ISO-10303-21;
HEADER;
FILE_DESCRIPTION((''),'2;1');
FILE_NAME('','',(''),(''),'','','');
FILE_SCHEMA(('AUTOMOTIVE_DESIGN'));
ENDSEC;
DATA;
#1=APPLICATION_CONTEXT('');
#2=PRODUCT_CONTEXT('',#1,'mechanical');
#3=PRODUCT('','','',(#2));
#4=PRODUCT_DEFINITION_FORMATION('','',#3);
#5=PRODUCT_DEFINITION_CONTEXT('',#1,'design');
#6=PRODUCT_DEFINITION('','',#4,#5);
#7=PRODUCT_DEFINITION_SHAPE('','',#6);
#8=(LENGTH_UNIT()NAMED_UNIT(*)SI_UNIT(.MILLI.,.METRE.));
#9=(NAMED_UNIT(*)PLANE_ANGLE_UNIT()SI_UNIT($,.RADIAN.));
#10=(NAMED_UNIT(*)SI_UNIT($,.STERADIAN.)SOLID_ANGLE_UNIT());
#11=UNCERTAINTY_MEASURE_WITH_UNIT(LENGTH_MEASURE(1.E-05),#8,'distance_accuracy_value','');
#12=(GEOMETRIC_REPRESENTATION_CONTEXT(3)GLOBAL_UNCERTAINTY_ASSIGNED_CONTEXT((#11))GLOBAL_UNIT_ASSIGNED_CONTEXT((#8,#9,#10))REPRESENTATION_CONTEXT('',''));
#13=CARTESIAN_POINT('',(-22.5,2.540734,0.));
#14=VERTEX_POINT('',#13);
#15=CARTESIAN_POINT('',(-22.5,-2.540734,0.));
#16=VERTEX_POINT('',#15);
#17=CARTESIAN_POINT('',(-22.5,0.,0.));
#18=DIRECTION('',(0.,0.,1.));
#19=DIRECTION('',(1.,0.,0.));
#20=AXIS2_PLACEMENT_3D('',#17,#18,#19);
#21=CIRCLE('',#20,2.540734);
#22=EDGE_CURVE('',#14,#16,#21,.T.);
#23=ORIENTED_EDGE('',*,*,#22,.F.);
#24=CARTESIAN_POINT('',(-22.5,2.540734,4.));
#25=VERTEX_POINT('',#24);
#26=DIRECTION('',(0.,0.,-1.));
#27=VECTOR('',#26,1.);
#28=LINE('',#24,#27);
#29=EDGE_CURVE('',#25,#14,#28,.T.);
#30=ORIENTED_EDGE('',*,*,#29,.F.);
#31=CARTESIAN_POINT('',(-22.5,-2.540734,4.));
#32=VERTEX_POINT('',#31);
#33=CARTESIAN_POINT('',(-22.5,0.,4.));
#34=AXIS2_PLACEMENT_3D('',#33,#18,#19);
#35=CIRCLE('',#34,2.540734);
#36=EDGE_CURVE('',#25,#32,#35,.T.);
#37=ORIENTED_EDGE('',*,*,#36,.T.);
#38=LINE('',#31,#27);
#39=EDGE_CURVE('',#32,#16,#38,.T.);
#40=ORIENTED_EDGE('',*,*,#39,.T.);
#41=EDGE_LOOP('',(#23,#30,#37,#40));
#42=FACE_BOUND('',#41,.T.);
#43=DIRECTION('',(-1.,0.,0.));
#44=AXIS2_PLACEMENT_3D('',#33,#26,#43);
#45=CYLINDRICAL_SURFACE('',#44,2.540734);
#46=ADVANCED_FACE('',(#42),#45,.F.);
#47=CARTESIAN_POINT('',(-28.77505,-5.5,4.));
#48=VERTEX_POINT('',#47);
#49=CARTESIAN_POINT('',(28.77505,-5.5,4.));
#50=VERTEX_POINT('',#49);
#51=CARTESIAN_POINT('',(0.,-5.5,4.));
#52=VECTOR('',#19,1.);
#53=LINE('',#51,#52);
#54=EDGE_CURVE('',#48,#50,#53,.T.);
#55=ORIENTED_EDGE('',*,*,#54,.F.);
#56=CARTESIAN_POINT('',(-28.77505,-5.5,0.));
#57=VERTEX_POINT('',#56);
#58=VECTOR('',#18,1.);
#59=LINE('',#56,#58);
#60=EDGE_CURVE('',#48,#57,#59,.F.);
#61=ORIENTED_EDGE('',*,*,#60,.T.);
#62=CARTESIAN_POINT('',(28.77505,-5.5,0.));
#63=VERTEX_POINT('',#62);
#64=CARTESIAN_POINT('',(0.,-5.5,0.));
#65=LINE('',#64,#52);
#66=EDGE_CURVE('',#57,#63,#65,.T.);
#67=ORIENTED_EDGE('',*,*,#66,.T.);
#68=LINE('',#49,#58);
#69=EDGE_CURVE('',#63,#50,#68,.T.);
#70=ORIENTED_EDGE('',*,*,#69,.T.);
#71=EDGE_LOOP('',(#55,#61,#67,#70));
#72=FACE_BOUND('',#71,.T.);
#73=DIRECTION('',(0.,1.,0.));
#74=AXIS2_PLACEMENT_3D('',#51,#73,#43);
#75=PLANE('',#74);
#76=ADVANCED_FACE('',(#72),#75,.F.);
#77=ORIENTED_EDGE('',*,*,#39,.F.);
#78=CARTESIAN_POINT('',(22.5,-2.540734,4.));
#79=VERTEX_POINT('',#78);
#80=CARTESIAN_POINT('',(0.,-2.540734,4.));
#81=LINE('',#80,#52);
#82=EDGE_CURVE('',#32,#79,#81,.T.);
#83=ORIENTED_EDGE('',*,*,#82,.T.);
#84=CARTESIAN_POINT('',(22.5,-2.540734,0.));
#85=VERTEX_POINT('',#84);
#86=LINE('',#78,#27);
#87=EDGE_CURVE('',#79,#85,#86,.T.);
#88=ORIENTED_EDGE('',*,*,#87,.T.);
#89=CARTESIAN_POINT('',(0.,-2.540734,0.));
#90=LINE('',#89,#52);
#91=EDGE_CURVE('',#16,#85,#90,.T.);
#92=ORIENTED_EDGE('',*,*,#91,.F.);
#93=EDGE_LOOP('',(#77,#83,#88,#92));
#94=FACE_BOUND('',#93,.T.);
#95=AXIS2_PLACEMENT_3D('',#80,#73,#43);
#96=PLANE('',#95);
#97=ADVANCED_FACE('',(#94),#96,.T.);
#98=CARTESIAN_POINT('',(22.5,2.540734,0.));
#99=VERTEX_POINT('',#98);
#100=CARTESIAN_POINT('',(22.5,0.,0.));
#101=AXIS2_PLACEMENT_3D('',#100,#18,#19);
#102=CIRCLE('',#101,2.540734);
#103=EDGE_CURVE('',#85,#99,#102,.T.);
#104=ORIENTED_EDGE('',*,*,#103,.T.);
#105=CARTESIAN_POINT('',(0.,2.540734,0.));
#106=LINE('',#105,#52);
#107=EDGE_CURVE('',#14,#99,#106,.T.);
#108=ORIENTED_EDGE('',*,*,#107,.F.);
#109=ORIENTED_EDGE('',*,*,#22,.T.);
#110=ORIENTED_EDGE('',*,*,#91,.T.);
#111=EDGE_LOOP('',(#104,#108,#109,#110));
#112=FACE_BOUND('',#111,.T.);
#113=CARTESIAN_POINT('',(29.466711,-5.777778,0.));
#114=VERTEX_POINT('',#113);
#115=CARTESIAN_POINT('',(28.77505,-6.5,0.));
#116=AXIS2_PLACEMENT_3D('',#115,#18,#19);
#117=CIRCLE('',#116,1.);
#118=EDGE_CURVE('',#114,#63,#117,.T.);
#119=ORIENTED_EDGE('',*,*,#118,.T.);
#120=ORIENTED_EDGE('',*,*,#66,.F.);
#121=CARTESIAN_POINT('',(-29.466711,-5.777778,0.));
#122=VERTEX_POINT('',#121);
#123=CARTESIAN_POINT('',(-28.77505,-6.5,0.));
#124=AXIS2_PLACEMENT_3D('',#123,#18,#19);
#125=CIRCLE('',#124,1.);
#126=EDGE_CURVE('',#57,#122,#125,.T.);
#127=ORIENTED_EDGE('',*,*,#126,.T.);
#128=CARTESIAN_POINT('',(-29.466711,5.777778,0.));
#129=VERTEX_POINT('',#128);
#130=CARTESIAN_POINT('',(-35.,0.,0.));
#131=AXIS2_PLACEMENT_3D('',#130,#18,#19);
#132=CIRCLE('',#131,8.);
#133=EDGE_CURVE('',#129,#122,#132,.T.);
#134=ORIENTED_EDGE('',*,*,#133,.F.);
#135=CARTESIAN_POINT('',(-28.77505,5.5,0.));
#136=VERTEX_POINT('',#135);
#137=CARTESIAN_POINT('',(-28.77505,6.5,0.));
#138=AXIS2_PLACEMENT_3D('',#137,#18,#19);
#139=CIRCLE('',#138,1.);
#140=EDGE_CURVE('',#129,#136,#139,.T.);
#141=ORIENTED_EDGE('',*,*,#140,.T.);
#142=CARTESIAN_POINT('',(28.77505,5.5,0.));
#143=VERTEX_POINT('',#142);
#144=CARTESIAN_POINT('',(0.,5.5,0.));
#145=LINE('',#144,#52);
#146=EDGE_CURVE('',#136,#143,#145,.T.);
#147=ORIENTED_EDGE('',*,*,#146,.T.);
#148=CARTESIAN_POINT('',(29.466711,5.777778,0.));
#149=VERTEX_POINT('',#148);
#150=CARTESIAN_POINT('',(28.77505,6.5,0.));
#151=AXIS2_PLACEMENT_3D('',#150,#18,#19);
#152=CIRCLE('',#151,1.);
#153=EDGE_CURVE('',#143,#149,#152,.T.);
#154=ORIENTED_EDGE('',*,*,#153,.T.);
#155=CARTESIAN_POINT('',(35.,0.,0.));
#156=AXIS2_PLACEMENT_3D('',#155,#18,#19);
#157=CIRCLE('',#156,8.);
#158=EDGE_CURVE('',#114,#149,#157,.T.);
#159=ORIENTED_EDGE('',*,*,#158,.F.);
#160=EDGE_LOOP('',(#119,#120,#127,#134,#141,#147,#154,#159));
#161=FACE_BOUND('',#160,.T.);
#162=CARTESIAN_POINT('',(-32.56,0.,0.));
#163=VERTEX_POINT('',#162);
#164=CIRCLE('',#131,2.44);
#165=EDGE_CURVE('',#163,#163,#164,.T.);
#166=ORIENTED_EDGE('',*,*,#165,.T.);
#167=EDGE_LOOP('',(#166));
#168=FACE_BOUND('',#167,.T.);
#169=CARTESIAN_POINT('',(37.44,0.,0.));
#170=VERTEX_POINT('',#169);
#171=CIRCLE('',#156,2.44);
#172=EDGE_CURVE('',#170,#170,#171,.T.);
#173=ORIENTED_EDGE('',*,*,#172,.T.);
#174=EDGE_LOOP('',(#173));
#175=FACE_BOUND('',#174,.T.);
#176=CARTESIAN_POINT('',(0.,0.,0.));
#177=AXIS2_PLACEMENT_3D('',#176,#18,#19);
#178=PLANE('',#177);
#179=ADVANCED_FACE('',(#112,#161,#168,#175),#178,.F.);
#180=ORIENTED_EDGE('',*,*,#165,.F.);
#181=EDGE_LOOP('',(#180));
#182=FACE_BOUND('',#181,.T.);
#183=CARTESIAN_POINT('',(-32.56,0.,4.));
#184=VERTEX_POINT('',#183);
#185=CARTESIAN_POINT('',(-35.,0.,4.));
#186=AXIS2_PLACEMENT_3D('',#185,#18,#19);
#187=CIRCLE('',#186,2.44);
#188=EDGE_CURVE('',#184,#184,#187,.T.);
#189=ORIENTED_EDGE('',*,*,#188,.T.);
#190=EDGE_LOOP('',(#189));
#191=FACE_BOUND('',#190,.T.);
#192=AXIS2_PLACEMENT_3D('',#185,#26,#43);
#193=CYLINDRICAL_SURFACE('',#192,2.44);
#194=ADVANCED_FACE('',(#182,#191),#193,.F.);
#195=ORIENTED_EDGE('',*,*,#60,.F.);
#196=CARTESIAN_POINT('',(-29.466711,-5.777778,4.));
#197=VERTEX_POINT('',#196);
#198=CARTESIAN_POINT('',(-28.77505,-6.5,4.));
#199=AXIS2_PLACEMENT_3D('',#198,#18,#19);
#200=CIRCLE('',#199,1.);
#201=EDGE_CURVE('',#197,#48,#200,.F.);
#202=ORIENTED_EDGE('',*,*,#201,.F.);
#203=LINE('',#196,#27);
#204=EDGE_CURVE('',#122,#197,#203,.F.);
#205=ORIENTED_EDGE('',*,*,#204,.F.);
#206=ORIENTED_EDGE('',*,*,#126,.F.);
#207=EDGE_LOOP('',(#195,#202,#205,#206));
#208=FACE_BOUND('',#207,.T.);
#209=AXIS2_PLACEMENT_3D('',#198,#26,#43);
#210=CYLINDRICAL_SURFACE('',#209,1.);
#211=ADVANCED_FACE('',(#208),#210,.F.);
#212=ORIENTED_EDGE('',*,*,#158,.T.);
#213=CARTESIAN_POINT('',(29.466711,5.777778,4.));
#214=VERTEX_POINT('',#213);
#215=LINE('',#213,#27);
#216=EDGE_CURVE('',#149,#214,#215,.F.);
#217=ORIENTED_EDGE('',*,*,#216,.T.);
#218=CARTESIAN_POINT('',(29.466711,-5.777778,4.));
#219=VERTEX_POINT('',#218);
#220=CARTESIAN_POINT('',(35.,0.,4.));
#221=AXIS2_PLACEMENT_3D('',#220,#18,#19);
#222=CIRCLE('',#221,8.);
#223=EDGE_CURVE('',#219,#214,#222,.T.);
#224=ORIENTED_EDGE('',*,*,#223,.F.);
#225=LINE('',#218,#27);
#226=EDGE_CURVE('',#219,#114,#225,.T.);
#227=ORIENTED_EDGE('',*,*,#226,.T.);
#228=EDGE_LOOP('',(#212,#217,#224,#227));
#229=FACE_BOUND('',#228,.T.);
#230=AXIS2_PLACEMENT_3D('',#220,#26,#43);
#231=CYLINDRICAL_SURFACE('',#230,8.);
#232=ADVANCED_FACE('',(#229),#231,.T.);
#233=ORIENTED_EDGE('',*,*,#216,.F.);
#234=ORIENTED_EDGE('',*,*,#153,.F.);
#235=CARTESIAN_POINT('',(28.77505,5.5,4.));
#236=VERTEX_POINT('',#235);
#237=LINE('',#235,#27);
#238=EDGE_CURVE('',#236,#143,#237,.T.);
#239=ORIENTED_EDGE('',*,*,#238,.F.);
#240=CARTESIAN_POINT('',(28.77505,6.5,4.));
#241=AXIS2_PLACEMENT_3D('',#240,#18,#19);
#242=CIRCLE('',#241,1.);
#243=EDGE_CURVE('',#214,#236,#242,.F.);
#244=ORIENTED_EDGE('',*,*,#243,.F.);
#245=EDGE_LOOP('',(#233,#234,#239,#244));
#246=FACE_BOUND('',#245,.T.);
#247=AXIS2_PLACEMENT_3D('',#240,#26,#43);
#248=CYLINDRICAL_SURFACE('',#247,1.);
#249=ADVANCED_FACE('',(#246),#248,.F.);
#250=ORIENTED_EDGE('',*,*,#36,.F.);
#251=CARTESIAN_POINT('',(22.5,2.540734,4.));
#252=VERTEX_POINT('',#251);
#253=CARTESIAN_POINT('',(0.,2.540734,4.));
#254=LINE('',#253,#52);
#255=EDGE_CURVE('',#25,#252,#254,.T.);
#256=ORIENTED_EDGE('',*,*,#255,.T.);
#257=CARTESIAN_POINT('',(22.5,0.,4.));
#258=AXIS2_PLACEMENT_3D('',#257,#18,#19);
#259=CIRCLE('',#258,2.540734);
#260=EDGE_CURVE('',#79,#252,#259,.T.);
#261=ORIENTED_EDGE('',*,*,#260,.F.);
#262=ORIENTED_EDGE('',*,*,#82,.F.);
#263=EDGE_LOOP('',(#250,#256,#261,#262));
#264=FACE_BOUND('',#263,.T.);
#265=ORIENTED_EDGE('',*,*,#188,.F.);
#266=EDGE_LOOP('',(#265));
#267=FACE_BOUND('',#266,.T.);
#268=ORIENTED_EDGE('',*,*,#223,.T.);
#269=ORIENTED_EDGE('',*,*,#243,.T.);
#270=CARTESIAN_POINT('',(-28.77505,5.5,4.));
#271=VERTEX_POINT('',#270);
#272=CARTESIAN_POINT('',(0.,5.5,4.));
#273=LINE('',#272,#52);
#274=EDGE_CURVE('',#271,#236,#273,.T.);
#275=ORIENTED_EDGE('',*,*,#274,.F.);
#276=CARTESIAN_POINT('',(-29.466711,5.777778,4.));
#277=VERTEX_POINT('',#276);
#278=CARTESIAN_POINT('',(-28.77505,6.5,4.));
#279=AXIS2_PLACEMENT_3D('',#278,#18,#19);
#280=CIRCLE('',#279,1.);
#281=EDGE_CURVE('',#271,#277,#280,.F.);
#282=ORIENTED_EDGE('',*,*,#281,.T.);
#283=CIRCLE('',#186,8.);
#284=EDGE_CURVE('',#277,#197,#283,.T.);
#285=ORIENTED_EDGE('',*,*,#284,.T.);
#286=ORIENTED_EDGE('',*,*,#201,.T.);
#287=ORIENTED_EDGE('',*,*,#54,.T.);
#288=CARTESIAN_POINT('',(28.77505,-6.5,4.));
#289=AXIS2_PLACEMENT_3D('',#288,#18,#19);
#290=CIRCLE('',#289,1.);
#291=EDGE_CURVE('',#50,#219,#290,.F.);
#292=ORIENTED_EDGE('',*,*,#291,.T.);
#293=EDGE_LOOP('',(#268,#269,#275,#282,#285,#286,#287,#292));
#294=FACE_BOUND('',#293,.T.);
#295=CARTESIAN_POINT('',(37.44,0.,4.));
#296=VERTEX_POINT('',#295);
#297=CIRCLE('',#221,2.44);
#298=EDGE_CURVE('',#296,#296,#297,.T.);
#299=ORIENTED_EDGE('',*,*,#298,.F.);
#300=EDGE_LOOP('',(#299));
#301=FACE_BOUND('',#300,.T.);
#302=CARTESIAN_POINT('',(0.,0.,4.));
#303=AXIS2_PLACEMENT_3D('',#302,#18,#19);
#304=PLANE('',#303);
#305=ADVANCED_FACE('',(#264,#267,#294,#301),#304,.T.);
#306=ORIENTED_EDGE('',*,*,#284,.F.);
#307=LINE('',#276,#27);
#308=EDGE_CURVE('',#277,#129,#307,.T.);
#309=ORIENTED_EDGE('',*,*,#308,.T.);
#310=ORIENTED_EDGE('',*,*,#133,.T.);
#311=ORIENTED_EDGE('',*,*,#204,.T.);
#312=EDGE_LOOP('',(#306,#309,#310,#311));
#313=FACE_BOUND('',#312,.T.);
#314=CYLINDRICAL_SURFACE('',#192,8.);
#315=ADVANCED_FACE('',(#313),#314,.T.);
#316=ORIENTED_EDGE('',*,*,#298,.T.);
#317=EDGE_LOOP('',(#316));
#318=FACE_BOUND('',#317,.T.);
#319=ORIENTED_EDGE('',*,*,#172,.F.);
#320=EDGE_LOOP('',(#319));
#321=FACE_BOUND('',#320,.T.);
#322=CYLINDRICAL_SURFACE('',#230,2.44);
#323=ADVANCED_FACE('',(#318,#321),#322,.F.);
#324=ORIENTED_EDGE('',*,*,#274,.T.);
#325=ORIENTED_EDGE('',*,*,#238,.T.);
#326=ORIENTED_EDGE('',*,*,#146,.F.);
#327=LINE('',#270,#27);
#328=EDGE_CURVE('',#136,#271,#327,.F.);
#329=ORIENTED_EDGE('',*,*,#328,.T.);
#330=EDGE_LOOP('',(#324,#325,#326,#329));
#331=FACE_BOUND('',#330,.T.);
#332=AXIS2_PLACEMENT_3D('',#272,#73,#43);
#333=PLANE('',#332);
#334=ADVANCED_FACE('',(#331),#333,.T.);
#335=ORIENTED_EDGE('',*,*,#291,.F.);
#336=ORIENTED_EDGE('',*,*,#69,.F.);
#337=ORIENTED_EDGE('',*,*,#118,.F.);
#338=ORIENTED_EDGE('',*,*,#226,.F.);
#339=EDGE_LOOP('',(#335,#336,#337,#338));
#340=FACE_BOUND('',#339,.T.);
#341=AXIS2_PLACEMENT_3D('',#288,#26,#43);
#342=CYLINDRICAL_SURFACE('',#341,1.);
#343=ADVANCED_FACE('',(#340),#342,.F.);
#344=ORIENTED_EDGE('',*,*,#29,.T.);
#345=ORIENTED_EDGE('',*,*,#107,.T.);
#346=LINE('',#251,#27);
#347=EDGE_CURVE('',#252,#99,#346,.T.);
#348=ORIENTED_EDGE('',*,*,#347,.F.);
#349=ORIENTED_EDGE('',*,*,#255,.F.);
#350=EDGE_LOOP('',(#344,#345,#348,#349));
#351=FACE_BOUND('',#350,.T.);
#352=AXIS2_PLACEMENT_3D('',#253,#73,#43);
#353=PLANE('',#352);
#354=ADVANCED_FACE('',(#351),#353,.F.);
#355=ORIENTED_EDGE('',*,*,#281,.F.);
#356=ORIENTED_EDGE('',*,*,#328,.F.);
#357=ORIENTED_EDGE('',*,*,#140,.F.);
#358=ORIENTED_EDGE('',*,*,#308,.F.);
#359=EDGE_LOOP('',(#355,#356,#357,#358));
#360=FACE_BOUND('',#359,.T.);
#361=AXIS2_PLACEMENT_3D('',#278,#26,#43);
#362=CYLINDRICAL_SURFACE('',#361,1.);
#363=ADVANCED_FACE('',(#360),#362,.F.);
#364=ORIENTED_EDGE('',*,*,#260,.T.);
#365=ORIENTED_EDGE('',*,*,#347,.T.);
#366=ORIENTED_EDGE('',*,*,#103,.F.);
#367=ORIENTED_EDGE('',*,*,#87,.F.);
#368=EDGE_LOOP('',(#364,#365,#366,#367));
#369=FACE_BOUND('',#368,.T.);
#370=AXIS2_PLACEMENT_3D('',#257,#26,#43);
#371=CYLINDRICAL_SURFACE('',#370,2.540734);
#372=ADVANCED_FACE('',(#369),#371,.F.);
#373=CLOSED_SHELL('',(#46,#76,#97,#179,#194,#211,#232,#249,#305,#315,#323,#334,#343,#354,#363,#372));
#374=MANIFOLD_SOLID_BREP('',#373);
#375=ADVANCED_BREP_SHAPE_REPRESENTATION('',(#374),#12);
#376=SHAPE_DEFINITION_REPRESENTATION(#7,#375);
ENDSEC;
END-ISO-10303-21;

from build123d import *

# Parameters (mm, degrees)
SKETCH_1_R      = 2.44
EXTRUDE_1_DEPTH = 4
FILLET_2_R      = 1
FILLET_4_R      = 1
FILLET_5_R      = 1
FILLET_6_R      = 1


with BuildPart() as part:
    # 草图1 → 凸台-拉伸1 (new body)
    with BuildSketch(Plane.XY):
        with BuildLine():
            Line((-29.190524981, -5.5), (29.190524981, -5.5))
            ThreePointArc((29.190524981, -5.5), (43, 0), (29.190524981, 5.5))
            Line((29.190524981, 5.5), (-29.190524981, 5.5))
            ThreePointArc((-29.190524981, 5.5), (-43, 0), (-29.190524981, -5.5))
        make_face()
        with Locations((35, 0)):
            Circle(SKETCH_1_R, mode=Mode.SUBTRACT)
        with Locations((-35, 0)):
            Circle(SKETCH_1_R, mode=Mode.SUBTRACT)
        with BuildLine():
            ThreePointArc((22.5, -2.540734009), (25.040734009, 0), (22.5, 2.540734009))
            Line((22.5, 2.540734009), (-22.5, 2.540734009))
            ThreePointArc((-22.5, 2.540734009), (-25.040734009, 0), (-22.5, -2.540734009))
            Line((-22.5, -2.540734009), (22.5, -2.540734009))
        make_face(mode=Mode.SUBTRACT)
    extrude(amount=EXTRUDE_1_DEPTH)

    # 圆角2
    fillet_2_edges = [part.edges().sort_by_distance(p)[0] for p in [
        (-29.190524981, 5.5, 2),
    ]]
    fillet(fillet_2_edges, radius=FILLET_2_R)

    # 圆角4
    fillet_4_edges = [part.edges().sort_by_distance(p)[0] for p in [
        (-29.190524981, -5.5, 2),
    ]]
    fillet(fillet_4_edges, radius=FILLET_4_R)

    # 圆角5
    fillet_5_edges = [part.edges().sort_by_distance(p)[0] for p in [
        (29.190524981, 5.5, 2),
    ]]
    fillet(fillet_5_edges, radius=FILLET_5_R)

    # 圆角6
    fillet_6_edges = [part.edges().sort_by_distance(p)[0] for p in [
        (29.190524981, -5.5, 2),
    ]]
    fillet(fillet_6_edges, radius=FILLET_6_R)


solid = part.part
